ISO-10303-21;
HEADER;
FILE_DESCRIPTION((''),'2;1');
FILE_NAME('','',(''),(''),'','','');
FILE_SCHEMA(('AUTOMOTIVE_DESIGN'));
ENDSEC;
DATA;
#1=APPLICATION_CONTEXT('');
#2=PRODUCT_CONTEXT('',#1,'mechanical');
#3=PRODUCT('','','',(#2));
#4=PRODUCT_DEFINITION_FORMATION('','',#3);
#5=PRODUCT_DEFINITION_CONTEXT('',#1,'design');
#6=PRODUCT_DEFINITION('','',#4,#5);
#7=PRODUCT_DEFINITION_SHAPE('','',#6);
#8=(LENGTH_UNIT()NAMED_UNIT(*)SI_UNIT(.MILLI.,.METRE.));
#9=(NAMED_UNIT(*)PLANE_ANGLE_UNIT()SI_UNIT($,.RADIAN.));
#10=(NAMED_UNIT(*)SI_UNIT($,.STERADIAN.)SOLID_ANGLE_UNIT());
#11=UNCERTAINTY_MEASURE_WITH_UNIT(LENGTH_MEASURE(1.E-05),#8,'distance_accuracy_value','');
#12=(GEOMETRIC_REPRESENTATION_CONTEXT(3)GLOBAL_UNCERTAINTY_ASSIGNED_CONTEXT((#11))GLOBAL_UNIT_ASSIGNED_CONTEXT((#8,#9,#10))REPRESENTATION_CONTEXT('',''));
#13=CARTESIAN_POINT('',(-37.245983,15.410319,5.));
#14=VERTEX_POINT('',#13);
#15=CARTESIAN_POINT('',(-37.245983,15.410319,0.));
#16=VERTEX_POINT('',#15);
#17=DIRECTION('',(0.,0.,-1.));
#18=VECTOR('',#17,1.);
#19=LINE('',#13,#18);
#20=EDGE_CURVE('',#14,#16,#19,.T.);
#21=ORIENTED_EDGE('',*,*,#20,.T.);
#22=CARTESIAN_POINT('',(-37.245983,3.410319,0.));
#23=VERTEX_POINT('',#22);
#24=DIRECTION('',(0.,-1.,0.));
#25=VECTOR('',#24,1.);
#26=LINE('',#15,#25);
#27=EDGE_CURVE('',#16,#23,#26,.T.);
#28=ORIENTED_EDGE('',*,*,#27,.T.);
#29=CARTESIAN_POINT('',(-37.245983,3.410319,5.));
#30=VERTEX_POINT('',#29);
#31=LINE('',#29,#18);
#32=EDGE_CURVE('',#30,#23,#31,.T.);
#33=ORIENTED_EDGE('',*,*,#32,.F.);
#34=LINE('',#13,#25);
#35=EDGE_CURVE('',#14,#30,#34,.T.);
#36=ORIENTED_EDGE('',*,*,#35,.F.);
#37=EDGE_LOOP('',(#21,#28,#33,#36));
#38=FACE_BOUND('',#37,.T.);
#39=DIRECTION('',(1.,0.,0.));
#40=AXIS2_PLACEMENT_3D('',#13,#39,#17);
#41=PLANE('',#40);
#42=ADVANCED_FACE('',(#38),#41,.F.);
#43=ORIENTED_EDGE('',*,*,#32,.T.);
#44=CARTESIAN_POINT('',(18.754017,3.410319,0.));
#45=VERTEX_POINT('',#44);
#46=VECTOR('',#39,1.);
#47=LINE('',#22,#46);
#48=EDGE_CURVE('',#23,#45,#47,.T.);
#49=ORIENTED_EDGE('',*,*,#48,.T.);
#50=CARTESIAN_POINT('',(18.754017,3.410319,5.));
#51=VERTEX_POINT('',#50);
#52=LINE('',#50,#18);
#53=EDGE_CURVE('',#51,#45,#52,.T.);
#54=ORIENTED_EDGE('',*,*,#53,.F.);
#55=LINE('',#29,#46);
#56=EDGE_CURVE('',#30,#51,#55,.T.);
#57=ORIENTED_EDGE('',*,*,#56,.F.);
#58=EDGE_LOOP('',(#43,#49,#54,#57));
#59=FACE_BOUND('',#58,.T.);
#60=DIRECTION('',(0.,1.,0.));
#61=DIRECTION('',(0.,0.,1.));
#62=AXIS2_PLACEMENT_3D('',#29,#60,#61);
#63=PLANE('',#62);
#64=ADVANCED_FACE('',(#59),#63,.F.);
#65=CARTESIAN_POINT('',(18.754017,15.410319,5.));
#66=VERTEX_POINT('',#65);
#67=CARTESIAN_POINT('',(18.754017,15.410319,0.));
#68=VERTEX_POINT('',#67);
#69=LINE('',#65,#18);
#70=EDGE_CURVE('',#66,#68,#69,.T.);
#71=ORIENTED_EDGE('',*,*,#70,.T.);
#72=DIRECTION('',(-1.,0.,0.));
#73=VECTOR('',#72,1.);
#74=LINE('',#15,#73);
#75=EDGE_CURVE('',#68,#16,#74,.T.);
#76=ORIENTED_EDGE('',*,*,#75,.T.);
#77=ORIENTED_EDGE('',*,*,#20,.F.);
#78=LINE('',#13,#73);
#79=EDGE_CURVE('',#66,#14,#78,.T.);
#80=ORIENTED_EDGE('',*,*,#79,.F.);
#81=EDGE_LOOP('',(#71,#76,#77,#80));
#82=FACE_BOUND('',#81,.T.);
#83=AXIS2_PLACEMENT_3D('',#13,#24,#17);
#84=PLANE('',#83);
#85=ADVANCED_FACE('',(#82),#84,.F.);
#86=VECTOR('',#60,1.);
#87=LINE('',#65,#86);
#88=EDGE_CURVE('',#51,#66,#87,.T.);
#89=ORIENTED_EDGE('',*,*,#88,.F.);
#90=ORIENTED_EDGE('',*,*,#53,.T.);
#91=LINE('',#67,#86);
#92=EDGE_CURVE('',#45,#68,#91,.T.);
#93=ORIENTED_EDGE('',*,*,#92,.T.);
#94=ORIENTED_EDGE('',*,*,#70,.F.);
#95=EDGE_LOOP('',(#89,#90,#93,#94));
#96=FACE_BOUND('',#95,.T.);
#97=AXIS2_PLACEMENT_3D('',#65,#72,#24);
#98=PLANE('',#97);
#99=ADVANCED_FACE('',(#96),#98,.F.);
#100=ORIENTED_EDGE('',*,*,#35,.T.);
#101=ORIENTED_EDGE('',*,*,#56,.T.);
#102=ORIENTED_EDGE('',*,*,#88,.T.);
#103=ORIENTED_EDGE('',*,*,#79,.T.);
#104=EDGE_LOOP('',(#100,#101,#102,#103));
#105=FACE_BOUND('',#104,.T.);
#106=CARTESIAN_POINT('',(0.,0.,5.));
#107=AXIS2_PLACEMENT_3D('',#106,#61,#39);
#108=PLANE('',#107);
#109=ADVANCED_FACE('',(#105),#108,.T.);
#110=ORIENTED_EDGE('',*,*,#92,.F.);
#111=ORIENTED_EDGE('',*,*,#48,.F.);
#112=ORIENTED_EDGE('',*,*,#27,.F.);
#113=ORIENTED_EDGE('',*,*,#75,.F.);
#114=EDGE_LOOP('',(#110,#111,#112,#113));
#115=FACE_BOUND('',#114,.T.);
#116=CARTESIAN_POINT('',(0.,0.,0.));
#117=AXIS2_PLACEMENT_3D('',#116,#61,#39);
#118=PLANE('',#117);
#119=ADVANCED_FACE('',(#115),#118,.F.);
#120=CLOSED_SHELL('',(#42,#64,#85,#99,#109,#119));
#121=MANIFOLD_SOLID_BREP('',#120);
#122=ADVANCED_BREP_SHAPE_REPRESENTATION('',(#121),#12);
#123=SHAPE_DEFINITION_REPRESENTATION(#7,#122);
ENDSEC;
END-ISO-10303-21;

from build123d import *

# Parameters (mm, degrees)
SKETCH_1_W      = 56
SKETCH_1_H      = 12
EXTRUDE_1_DEPTH = 5


with BuildPart() as part:
    # 草圖1 → 填料-伸長1 (new body)
    with BuildSketch(Plane.XY):
        with Locations((-9.245982721, 9.41031941)):
            Rectangle(SKETCH_1_W, SKETCH_1_H)
    extrude(amount=EXTRUDE_1_DEPTH)


solid = part.part
